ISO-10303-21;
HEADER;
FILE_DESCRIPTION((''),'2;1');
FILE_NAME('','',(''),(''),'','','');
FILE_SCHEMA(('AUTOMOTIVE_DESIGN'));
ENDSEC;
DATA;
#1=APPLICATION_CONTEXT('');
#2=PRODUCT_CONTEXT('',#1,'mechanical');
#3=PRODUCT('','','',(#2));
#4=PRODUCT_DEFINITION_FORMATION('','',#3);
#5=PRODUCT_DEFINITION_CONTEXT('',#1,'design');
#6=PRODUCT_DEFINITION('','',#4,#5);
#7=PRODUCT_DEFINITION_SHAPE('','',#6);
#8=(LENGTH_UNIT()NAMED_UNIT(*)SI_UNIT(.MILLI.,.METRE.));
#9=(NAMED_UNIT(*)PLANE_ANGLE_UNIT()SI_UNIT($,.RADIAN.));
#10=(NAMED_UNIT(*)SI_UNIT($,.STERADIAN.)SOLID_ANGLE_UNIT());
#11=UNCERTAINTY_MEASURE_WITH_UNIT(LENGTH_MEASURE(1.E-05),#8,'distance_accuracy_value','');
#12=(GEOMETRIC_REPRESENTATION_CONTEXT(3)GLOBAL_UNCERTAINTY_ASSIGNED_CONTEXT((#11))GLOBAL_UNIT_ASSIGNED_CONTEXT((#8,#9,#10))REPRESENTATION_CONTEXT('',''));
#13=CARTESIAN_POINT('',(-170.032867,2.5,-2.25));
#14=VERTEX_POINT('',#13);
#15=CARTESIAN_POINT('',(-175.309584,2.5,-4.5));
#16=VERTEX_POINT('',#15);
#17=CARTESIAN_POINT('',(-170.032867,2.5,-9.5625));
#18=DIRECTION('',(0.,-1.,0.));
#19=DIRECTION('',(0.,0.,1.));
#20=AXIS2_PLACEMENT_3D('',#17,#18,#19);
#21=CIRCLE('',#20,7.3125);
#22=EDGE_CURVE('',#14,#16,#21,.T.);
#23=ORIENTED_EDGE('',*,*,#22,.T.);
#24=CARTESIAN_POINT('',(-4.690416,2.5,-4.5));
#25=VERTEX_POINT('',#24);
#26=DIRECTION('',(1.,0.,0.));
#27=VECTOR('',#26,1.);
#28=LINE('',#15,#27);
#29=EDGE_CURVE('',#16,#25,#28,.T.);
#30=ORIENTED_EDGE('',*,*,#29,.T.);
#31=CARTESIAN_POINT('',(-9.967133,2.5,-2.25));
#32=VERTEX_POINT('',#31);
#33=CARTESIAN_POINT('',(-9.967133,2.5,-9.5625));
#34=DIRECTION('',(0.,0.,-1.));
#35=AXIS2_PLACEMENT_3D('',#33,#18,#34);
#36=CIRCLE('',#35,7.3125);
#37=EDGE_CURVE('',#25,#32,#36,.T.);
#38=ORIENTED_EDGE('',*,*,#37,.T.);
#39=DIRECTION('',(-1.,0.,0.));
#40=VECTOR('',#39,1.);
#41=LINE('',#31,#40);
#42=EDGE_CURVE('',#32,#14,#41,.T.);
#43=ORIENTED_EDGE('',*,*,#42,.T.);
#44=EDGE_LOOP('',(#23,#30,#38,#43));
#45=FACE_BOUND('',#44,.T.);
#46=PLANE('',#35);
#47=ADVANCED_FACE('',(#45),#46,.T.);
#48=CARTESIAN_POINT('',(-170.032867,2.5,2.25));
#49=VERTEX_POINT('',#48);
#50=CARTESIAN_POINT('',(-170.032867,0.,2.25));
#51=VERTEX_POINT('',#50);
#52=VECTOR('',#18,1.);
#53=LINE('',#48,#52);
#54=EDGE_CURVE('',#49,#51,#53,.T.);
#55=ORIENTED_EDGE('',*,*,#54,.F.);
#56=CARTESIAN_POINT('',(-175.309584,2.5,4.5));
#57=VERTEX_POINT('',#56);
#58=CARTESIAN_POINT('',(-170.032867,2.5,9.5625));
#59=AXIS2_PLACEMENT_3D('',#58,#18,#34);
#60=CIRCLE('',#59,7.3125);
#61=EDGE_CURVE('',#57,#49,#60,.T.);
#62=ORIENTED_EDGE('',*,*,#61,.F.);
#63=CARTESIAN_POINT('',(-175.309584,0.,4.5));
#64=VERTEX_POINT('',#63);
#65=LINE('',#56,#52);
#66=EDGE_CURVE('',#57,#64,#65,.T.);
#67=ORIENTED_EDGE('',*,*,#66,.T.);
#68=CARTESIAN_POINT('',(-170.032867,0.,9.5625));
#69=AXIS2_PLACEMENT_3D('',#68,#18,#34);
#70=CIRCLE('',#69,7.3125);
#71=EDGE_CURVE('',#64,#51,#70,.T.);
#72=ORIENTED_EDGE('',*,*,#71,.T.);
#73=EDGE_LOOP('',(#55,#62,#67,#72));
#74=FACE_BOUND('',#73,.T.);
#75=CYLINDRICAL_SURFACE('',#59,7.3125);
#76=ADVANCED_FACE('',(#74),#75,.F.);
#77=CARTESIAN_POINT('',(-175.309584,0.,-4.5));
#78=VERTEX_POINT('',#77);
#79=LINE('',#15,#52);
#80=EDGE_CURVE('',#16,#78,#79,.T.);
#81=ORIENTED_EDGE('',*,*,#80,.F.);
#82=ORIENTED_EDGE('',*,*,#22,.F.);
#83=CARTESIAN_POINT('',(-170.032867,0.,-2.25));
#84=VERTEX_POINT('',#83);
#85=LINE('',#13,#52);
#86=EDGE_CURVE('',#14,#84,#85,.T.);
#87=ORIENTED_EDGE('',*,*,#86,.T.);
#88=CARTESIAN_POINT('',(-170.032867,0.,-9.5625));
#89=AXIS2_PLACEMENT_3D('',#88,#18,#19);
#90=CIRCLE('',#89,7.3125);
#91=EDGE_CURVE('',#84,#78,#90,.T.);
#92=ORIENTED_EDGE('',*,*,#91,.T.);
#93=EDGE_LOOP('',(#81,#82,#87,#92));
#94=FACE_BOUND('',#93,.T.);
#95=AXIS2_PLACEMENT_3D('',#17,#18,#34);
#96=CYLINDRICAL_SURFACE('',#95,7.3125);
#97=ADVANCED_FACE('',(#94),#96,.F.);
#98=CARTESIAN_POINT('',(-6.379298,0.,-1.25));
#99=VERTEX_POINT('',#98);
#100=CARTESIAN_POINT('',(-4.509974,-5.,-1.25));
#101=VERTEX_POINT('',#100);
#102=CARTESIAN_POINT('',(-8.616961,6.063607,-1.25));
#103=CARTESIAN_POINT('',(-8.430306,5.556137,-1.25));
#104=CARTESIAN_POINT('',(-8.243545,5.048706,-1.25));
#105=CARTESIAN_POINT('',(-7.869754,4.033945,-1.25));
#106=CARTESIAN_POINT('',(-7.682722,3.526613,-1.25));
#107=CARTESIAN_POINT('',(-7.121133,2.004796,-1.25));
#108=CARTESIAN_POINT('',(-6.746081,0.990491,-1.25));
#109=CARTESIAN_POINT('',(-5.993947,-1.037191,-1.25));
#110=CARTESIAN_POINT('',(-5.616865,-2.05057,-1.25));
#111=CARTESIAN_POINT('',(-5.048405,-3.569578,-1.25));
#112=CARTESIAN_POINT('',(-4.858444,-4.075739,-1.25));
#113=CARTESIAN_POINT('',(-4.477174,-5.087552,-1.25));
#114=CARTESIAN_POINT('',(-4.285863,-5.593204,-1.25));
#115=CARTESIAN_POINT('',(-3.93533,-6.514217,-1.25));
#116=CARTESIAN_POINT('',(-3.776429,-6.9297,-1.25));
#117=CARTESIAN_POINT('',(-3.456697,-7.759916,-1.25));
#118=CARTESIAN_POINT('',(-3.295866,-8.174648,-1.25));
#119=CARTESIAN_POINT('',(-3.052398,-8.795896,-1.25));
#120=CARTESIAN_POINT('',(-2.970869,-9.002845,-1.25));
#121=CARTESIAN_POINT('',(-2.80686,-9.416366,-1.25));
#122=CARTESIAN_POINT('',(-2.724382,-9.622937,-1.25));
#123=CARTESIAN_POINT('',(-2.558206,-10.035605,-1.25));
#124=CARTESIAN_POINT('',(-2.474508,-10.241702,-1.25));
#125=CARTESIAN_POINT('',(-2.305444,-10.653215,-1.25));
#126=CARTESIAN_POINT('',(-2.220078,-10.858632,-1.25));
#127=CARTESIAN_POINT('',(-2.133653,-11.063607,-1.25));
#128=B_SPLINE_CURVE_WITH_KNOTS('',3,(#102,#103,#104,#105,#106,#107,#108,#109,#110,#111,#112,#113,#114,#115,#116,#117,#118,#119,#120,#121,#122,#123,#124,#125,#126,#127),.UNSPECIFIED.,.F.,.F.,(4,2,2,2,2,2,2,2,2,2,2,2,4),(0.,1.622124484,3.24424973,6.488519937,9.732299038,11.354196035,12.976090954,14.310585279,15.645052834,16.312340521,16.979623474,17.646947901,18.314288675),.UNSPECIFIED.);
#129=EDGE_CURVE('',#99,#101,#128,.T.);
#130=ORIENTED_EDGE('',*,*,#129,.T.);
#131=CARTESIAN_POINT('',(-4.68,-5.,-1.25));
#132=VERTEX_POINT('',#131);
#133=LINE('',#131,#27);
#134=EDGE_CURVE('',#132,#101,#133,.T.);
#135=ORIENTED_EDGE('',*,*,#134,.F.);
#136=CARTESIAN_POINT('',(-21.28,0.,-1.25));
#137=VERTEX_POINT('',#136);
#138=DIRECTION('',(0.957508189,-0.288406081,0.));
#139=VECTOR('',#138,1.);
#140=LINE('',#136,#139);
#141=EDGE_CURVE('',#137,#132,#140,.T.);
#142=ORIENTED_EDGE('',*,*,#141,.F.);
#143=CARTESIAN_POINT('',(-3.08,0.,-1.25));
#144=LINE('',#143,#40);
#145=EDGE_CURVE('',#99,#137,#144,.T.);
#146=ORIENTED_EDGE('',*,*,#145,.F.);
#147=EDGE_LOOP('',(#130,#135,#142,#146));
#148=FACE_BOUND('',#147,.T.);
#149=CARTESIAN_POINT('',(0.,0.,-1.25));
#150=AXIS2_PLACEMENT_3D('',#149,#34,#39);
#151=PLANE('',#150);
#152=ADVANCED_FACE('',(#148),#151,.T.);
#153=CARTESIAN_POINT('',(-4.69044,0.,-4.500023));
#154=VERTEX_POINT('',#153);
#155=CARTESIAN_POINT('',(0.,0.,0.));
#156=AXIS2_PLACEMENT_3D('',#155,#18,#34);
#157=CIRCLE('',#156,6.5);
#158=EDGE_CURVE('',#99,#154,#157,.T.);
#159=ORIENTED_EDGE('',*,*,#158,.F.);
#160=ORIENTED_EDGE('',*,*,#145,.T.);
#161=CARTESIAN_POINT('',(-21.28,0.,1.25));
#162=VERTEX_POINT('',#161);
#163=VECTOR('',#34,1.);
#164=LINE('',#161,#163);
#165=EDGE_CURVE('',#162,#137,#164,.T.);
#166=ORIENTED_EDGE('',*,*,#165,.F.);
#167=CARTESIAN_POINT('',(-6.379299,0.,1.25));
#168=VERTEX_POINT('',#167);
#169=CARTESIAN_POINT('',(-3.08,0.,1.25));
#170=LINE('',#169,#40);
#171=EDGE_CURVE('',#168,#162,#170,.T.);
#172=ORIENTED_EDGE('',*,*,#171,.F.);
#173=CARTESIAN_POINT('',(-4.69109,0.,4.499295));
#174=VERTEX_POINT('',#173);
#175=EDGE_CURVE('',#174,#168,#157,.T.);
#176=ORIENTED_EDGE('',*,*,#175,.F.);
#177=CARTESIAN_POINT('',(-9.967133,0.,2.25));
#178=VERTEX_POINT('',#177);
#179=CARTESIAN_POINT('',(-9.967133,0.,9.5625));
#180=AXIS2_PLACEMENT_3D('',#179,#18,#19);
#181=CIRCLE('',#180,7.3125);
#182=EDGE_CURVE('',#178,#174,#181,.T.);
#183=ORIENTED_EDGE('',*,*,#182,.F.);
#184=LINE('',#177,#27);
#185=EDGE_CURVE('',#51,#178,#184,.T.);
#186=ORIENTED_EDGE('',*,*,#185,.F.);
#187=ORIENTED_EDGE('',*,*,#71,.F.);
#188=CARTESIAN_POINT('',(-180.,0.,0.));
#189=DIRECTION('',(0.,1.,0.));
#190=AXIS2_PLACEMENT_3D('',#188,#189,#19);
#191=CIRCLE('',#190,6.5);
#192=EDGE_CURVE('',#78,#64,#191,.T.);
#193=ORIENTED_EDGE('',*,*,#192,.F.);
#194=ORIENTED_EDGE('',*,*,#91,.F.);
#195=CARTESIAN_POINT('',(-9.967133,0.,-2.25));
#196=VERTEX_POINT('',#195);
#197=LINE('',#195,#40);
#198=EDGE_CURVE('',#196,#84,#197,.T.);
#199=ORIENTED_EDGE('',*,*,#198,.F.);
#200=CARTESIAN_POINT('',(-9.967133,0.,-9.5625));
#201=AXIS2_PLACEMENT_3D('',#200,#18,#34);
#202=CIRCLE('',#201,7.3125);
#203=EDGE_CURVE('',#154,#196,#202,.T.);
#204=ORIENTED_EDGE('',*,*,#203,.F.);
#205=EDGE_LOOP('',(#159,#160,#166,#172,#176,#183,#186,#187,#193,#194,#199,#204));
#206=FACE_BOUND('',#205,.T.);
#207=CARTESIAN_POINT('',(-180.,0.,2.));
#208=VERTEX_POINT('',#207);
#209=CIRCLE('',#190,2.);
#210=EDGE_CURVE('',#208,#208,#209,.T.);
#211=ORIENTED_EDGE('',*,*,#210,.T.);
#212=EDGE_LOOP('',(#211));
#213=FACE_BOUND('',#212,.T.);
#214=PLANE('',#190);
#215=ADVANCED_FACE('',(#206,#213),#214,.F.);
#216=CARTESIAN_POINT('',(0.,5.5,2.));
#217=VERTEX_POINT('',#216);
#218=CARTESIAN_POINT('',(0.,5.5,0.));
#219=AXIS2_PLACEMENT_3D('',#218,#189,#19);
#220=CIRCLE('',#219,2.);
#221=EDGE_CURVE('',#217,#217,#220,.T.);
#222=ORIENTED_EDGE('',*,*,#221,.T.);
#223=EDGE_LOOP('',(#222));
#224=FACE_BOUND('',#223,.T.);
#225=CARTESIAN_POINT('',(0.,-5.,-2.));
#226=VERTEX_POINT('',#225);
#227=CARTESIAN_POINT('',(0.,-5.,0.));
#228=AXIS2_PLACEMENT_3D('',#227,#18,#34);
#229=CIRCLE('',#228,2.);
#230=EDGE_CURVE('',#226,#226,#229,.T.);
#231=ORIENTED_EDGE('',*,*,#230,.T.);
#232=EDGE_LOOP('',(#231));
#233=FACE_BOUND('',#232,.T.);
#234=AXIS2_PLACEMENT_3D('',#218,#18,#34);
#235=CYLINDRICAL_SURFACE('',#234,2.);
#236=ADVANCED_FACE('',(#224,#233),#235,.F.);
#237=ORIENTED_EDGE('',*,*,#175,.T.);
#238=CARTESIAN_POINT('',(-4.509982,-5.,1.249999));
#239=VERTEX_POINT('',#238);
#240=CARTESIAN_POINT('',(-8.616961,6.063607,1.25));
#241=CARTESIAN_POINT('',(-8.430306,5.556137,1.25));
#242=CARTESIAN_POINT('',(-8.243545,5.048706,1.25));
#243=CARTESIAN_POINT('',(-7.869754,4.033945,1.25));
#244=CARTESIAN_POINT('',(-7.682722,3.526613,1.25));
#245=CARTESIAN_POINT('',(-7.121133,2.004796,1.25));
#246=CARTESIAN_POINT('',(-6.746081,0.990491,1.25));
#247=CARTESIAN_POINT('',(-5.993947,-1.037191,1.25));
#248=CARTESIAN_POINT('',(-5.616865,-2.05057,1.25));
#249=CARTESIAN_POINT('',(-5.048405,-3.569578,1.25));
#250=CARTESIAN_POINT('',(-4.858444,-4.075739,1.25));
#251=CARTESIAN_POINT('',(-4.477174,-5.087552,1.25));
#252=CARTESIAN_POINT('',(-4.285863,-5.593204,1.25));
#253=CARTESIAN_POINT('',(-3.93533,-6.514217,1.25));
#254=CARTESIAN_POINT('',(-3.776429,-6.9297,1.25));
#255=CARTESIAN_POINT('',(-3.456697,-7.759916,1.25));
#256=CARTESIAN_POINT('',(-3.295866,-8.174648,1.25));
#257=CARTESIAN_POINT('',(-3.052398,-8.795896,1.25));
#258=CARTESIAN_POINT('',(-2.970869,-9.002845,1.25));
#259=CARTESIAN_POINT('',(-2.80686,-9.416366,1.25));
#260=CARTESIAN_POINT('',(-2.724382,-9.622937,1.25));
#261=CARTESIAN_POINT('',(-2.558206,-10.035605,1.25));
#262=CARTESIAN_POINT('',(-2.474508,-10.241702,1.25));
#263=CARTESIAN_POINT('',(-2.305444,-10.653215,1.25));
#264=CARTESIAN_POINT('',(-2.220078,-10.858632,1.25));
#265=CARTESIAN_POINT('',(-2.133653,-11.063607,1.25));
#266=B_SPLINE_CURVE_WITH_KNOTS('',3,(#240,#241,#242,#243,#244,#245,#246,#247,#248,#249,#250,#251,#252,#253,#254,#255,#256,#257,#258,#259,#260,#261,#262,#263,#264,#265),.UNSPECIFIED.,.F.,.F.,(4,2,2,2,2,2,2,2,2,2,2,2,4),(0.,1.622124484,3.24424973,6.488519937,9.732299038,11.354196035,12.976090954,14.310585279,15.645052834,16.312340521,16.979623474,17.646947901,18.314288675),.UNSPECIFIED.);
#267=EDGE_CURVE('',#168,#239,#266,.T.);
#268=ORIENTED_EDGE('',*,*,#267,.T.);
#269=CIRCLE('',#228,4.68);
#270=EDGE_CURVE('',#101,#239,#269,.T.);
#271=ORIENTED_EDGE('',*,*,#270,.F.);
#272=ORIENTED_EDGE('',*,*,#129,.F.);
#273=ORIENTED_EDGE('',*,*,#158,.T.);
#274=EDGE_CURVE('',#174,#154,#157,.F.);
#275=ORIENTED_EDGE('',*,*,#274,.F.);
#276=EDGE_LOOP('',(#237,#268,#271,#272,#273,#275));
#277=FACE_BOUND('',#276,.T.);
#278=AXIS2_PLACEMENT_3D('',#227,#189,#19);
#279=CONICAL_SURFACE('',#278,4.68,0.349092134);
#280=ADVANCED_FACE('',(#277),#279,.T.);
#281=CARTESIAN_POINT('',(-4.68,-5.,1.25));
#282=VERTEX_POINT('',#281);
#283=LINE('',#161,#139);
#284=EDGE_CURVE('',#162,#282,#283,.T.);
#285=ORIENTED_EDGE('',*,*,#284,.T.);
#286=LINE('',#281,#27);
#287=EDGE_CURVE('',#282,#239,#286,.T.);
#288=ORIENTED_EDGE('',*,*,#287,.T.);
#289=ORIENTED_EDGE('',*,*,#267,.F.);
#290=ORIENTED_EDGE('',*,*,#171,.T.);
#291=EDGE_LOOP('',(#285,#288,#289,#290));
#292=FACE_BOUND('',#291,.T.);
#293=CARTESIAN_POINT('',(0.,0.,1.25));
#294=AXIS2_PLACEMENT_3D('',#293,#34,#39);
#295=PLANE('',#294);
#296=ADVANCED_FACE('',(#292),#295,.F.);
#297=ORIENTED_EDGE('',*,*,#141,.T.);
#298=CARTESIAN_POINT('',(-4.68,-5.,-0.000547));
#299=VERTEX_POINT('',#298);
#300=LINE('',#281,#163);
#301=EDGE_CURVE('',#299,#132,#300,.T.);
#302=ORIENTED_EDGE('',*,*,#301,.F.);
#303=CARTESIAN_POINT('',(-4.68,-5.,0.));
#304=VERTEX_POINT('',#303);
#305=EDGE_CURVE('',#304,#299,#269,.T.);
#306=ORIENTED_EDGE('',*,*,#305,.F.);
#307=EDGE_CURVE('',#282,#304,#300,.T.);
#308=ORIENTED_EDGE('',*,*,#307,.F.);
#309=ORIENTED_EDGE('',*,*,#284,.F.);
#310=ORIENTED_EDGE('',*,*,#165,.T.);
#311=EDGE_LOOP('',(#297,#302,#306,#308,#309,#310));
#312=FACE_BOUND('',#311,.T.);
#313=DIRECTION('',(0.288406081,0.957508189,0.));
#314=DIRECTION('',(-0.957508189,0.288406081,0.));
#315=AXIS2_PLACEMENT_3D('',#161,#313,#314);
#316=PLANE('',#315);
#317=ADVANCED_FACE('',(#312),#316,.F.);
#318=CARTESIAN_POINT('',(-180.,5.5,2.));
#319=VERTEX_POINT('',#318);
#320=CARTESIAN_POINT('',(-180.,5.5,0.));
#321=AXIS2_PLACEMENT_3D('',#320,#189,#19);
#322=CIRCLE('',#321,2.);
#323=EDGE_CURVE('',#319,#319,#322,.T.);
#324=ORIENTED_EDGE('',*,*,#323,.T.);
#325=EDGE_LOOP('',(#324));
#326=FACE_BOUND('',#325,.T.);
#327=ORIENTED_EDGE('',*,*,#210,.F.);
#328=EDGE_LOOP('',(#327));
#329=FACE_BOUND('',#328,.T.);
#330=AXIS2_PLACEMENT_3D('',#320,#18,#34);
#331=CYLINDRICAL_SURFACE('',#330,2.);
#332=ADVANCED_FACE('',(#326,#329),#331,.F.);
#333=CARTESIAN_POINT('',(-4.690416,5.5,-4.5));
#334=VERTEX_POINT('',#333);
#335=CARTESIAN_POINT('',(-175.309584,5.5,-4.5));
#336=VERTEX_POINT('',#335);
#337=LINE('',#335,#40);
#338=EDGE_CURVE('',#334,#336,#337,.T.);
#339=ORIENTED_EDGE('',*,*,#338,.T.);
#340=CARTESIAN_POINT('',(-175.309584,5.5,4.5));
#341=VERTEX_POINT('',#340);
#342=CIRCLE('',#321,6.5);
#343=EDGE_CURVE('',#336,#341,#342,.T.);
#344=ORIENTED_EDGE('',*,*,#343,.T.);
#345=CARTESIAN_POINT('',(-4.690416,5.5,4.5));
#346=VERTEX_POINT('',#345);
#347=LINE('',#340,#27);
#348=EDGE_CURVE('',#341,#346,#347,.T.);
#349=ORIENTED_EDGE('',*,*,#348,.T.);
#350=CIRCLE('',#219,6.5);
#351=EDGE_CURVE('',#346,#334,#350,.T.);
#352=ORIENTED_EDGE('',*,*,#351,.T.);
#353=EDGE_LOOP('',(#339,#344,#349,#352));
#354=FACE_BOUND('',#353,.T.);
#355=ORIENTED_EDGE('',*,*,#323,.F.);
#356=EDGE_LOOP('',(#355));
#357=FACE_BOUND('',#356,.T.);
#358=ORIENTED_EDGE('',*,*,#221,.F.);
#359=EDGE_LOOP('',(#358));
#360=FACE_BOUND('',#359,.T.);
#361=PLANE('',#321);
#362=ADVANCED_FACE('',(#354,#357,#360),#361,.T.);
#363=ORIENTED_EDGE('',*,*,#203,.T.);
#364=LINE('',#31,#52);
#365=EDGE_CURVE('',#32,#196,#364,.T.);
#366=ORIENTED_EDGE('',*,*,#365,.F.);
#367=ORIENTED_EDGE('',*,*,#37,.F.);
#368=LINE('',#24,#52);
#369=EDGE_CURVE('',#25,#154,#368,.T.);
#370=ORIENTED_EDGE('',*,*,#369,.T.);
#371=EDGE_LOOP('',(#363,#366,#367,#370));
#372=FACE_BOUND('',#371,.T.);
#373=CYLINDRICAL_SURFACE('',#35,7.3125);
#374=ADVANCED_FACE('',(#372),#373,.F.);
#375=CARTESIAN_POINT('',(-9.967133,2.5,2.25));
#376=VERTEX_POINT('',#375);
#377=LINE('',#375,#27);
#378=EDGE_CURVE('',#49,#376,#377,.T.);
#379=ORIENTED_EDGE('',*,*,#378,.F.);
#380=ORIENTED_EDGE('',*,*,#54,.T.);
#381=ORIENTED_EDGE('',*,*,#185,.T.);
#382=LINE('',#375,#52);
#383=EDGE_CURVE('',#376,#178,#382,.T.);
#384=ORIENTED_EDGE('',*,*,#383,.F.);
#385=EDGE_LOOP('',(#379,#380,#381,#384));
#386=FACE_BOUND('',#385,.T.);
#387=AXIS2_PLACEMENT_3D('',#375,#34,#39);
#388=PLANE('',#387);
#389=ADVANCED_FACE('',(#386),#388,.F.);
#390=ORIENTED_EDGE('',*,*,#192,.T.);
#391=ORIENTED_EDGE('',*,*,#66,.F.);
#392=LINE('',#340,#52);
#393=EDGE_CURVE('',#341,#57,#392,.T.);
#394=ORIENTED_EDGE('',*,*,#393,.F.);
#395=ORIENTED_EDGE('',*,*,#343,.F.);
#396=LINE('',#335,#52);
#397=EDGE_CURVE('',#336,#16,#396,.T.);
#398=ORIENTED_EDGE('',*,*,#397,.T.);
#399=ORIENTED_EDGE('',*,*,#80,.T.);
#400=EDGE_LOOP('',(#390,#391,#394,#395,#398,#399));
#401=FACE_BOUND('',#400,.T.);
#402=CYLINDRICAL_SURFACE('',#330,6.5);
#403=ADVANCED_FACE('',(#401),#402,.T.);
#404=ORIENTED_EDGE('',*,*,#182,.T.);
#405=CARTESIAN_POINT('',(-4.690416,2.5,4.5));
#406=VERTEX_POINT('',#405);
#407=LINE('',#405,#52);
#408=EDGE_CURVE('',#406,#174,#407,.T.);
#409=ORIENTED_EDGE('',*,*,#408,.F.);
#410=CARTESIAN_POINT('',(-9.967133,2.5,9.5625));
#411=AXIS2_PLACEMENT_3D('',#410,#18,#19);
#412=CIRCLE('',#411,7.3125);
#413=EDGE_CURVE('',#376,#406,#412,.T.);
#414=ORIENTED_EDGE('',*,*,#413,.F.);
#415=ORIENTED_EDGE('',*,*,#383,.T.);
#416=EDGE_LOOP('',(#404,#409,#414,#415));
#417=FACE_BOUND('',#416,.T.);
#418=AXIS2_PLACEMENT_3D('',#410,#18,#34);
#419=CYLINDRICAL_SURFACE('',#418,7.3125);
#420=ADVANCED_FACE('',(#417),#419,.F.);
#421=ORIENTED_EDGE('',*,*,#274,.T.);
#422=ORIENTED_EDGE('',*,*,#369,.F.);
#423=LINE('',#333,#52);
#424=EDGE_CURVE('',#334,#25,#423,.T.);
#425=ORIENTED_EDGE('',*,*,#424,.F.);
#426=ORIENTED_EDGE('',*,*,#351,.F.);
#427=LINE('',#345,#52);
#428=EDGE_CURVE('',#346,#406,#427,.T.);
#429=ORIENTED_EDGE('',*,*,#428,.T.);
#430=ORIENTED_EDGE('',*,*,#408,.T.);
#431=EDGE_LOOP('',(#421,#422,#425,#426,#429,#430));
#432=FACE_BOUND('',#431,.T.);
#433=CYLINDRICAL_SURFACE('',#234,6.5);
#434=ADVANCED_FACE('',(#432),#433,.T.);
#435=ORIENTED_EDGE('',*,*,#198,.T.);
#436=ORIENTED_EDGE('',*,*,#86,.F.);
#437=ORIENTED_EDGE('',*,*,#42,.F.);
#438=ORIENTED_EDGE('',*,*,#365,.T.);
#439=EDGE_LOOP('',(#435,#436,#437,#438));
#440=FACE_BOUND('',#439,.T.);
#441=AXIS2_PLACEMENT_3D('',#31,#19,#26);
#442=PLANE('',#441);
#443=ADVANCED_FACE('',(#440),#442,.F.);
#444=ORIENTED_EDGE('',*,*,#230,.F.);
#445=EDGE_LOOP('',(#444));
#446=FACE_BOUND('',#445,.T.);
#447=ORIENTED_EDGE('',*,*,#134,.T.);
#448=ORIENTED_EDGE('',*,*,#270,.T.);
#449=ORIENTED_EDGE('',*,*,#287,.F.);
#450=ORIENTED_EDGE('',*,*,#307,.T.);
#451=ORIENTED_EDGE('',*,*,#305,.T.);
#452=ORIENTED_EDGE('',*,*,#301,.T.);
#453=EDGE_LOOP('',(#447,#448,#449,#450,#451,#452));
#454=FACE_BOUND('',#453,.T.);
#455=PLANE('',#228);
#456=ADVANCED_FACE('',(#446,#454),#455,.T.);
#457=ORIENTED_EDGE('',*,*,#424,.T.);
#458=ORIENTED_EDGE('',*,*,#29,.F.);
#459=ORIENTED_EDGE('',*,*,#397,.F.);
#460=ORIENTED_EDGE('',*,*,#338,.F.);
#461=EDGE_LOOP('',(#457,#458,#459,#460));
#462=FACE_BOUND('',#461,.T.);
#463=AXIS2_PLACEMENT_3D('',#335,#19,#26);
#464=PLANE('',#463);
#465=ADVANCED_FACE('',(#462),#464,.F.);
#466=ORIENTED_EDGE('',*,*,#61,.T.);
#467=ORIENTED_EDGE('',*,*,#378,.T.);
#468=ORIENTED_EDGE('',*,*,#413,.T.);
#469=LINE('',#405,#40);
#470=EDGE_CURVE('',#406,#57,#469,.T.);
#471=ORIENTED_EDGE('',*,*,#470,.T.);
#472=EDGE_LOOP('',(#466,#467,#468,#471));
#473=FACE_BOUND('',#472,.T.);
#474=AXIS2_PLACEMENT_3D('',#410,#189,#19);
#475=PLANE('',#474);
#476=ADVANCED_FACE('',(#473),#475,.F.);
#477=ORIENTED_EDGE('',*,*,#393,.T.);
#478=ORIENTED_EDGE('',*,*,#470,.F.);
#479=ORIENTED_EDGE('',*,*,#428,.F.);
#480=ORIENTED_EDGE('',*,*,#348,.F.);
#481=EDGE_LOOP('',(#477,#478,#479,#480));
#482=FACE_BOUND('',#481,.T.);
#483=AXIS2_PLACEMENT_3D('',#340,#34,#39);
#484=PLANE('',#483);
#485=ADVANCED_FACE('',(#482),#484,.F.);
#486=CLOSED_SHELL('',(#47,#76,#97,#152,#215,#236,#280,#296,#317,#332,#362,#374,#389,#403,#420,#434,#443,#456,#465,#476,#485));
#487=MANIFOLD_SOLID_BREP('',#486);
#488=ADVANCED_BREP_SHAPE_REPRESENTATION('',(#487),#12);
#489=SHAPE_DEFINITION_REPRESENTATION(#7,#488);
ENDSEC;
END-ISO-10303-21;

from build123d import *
from build123d.topology import SkipClean

# Parameters (mm, degrees)
SKETCH1_R           = 2
BOSS_EXTRUDE1_DEPTH = 5.5
CUT_EXTRUDE1_DEPTH  = 2.5
SKETCH4_R           = 6.5
SKETCH3_R           = 4.68
SKETCH5_R           = 2
CUT_EXTRUDE2_DEPTH  = 187.908400029
BOSS_EXTRUDE2_DEPTH = 1.25


with BuildPart() as part:
    # Sketch1 → Boss-Extrude1 (new body)
    with BuildSketch(Plane(origin=(0, 0, 0), x_dir=(1, 0, 0), z_dir=(0, 1, 0))):
        with BuildLine():
            Line((-175.30958424, 4.5), (-4.69041576, 4.5))
            ThreePointArc((-4.69041576, 4.5), (6.5, 0), (-4.69041576, -4.5))
            Line((-4.69041576, -4.5), (-175.30958424, -4.5))
            ThreePointArc((-175.30958424, -4.5), (-186.5, 0), (-175.30958424, 4.5))
        make_face()
        with Locations(Location((0, 0, 0), (0, 0, 270))):
            Circle(SKETCH1_R, mode=Mode.SUBTRACT)
        with Locations(Location((-180, 0, 0), (0, 0, 270))):
            Circle(SKETCH1_R, mode=Mode.SUBTRACT)
    extrude(amount=BOSS_EXTRUDE1_DEPTH)

    # Sketch2 → Cut-Extrude1 (cut)
    with BuildSketch(Plane.XZ):
        with BuildLine():
            Line((-9.96713349, 2.25), (-170.03286651, 2.25))
            ThreePointArc((-170.03286651, 2.25), (-172.901064987, 2.835978332), (-175.30958424, 4.5))
            Line((-175.30958424, 4.5), (-4.69041576, 4.5))
            ThreePointArc((-4.69041576, 4.5), (-7.098935013, 2.835978332), (-9.96713349, 2.25))
        make_face()
        with BuildLine():
            Line((-9.96713349, -2.25), (-170.03286651, -2.25))
            ThreePointArc((-170.03286651, -2.25), (-172.901064987, -2.835978332), (-175.30958424, -4.5))
            Line((-175.30958424, -4.5), (-4.69041576, -4.5))
            ThreePointArc((-4.69041576, -4.5), (-7.098935013, -2.835978332), (-9.96713349, -2.25))
        make_face()
    extrude(amount=-CUT_EXTRUDE1_DEPTH, mode=Mode.SUBTRACT)

    # Sketch4 → Loft1 section 0
    with BuildSketch(Plane.XZ):
        Circle(SKETCH4_R)
    # Sketch3 → Loft1 section 1
    with BuildSketch(Plane(origin=(0, -5, 0), x_dir=(-1, 0, 0), z_dir=(0, -1, 0))):
        Circle(SKETCH3_R)
    loft()

    # Sketch5 → Cut-Extrude2 (cut, through all)
    with SkipClean():  # the faces are left unmerged after this step: merging them gives an invalid solid
        with BuildSketch(Plane.XZ.offset(5)):
            with Locations(Location((0, 0, 0), (0, 0, 270))):
                Circle(SKETCH5_R)
        extrude(amount=-CUT_EXTRUDE2_DEPTH, mode=Mode.SUBTRACT)

    # Sketch6 → Boss-Extrude2 (add, symmetric)
    with SkipClean():  # the faces are left unmerged after this step: merging them gives an invalid solid
        with BuildSketch(Plane.XY):
            Polygon((-3.080000032, 0), (-21.280000032, 0), (-4.680000032, -5), (-3.080000032, -5), align=None)
        extrude(amount=BOSS_EXTRUDE2_DEPTH, both=True)


solid = part.part
